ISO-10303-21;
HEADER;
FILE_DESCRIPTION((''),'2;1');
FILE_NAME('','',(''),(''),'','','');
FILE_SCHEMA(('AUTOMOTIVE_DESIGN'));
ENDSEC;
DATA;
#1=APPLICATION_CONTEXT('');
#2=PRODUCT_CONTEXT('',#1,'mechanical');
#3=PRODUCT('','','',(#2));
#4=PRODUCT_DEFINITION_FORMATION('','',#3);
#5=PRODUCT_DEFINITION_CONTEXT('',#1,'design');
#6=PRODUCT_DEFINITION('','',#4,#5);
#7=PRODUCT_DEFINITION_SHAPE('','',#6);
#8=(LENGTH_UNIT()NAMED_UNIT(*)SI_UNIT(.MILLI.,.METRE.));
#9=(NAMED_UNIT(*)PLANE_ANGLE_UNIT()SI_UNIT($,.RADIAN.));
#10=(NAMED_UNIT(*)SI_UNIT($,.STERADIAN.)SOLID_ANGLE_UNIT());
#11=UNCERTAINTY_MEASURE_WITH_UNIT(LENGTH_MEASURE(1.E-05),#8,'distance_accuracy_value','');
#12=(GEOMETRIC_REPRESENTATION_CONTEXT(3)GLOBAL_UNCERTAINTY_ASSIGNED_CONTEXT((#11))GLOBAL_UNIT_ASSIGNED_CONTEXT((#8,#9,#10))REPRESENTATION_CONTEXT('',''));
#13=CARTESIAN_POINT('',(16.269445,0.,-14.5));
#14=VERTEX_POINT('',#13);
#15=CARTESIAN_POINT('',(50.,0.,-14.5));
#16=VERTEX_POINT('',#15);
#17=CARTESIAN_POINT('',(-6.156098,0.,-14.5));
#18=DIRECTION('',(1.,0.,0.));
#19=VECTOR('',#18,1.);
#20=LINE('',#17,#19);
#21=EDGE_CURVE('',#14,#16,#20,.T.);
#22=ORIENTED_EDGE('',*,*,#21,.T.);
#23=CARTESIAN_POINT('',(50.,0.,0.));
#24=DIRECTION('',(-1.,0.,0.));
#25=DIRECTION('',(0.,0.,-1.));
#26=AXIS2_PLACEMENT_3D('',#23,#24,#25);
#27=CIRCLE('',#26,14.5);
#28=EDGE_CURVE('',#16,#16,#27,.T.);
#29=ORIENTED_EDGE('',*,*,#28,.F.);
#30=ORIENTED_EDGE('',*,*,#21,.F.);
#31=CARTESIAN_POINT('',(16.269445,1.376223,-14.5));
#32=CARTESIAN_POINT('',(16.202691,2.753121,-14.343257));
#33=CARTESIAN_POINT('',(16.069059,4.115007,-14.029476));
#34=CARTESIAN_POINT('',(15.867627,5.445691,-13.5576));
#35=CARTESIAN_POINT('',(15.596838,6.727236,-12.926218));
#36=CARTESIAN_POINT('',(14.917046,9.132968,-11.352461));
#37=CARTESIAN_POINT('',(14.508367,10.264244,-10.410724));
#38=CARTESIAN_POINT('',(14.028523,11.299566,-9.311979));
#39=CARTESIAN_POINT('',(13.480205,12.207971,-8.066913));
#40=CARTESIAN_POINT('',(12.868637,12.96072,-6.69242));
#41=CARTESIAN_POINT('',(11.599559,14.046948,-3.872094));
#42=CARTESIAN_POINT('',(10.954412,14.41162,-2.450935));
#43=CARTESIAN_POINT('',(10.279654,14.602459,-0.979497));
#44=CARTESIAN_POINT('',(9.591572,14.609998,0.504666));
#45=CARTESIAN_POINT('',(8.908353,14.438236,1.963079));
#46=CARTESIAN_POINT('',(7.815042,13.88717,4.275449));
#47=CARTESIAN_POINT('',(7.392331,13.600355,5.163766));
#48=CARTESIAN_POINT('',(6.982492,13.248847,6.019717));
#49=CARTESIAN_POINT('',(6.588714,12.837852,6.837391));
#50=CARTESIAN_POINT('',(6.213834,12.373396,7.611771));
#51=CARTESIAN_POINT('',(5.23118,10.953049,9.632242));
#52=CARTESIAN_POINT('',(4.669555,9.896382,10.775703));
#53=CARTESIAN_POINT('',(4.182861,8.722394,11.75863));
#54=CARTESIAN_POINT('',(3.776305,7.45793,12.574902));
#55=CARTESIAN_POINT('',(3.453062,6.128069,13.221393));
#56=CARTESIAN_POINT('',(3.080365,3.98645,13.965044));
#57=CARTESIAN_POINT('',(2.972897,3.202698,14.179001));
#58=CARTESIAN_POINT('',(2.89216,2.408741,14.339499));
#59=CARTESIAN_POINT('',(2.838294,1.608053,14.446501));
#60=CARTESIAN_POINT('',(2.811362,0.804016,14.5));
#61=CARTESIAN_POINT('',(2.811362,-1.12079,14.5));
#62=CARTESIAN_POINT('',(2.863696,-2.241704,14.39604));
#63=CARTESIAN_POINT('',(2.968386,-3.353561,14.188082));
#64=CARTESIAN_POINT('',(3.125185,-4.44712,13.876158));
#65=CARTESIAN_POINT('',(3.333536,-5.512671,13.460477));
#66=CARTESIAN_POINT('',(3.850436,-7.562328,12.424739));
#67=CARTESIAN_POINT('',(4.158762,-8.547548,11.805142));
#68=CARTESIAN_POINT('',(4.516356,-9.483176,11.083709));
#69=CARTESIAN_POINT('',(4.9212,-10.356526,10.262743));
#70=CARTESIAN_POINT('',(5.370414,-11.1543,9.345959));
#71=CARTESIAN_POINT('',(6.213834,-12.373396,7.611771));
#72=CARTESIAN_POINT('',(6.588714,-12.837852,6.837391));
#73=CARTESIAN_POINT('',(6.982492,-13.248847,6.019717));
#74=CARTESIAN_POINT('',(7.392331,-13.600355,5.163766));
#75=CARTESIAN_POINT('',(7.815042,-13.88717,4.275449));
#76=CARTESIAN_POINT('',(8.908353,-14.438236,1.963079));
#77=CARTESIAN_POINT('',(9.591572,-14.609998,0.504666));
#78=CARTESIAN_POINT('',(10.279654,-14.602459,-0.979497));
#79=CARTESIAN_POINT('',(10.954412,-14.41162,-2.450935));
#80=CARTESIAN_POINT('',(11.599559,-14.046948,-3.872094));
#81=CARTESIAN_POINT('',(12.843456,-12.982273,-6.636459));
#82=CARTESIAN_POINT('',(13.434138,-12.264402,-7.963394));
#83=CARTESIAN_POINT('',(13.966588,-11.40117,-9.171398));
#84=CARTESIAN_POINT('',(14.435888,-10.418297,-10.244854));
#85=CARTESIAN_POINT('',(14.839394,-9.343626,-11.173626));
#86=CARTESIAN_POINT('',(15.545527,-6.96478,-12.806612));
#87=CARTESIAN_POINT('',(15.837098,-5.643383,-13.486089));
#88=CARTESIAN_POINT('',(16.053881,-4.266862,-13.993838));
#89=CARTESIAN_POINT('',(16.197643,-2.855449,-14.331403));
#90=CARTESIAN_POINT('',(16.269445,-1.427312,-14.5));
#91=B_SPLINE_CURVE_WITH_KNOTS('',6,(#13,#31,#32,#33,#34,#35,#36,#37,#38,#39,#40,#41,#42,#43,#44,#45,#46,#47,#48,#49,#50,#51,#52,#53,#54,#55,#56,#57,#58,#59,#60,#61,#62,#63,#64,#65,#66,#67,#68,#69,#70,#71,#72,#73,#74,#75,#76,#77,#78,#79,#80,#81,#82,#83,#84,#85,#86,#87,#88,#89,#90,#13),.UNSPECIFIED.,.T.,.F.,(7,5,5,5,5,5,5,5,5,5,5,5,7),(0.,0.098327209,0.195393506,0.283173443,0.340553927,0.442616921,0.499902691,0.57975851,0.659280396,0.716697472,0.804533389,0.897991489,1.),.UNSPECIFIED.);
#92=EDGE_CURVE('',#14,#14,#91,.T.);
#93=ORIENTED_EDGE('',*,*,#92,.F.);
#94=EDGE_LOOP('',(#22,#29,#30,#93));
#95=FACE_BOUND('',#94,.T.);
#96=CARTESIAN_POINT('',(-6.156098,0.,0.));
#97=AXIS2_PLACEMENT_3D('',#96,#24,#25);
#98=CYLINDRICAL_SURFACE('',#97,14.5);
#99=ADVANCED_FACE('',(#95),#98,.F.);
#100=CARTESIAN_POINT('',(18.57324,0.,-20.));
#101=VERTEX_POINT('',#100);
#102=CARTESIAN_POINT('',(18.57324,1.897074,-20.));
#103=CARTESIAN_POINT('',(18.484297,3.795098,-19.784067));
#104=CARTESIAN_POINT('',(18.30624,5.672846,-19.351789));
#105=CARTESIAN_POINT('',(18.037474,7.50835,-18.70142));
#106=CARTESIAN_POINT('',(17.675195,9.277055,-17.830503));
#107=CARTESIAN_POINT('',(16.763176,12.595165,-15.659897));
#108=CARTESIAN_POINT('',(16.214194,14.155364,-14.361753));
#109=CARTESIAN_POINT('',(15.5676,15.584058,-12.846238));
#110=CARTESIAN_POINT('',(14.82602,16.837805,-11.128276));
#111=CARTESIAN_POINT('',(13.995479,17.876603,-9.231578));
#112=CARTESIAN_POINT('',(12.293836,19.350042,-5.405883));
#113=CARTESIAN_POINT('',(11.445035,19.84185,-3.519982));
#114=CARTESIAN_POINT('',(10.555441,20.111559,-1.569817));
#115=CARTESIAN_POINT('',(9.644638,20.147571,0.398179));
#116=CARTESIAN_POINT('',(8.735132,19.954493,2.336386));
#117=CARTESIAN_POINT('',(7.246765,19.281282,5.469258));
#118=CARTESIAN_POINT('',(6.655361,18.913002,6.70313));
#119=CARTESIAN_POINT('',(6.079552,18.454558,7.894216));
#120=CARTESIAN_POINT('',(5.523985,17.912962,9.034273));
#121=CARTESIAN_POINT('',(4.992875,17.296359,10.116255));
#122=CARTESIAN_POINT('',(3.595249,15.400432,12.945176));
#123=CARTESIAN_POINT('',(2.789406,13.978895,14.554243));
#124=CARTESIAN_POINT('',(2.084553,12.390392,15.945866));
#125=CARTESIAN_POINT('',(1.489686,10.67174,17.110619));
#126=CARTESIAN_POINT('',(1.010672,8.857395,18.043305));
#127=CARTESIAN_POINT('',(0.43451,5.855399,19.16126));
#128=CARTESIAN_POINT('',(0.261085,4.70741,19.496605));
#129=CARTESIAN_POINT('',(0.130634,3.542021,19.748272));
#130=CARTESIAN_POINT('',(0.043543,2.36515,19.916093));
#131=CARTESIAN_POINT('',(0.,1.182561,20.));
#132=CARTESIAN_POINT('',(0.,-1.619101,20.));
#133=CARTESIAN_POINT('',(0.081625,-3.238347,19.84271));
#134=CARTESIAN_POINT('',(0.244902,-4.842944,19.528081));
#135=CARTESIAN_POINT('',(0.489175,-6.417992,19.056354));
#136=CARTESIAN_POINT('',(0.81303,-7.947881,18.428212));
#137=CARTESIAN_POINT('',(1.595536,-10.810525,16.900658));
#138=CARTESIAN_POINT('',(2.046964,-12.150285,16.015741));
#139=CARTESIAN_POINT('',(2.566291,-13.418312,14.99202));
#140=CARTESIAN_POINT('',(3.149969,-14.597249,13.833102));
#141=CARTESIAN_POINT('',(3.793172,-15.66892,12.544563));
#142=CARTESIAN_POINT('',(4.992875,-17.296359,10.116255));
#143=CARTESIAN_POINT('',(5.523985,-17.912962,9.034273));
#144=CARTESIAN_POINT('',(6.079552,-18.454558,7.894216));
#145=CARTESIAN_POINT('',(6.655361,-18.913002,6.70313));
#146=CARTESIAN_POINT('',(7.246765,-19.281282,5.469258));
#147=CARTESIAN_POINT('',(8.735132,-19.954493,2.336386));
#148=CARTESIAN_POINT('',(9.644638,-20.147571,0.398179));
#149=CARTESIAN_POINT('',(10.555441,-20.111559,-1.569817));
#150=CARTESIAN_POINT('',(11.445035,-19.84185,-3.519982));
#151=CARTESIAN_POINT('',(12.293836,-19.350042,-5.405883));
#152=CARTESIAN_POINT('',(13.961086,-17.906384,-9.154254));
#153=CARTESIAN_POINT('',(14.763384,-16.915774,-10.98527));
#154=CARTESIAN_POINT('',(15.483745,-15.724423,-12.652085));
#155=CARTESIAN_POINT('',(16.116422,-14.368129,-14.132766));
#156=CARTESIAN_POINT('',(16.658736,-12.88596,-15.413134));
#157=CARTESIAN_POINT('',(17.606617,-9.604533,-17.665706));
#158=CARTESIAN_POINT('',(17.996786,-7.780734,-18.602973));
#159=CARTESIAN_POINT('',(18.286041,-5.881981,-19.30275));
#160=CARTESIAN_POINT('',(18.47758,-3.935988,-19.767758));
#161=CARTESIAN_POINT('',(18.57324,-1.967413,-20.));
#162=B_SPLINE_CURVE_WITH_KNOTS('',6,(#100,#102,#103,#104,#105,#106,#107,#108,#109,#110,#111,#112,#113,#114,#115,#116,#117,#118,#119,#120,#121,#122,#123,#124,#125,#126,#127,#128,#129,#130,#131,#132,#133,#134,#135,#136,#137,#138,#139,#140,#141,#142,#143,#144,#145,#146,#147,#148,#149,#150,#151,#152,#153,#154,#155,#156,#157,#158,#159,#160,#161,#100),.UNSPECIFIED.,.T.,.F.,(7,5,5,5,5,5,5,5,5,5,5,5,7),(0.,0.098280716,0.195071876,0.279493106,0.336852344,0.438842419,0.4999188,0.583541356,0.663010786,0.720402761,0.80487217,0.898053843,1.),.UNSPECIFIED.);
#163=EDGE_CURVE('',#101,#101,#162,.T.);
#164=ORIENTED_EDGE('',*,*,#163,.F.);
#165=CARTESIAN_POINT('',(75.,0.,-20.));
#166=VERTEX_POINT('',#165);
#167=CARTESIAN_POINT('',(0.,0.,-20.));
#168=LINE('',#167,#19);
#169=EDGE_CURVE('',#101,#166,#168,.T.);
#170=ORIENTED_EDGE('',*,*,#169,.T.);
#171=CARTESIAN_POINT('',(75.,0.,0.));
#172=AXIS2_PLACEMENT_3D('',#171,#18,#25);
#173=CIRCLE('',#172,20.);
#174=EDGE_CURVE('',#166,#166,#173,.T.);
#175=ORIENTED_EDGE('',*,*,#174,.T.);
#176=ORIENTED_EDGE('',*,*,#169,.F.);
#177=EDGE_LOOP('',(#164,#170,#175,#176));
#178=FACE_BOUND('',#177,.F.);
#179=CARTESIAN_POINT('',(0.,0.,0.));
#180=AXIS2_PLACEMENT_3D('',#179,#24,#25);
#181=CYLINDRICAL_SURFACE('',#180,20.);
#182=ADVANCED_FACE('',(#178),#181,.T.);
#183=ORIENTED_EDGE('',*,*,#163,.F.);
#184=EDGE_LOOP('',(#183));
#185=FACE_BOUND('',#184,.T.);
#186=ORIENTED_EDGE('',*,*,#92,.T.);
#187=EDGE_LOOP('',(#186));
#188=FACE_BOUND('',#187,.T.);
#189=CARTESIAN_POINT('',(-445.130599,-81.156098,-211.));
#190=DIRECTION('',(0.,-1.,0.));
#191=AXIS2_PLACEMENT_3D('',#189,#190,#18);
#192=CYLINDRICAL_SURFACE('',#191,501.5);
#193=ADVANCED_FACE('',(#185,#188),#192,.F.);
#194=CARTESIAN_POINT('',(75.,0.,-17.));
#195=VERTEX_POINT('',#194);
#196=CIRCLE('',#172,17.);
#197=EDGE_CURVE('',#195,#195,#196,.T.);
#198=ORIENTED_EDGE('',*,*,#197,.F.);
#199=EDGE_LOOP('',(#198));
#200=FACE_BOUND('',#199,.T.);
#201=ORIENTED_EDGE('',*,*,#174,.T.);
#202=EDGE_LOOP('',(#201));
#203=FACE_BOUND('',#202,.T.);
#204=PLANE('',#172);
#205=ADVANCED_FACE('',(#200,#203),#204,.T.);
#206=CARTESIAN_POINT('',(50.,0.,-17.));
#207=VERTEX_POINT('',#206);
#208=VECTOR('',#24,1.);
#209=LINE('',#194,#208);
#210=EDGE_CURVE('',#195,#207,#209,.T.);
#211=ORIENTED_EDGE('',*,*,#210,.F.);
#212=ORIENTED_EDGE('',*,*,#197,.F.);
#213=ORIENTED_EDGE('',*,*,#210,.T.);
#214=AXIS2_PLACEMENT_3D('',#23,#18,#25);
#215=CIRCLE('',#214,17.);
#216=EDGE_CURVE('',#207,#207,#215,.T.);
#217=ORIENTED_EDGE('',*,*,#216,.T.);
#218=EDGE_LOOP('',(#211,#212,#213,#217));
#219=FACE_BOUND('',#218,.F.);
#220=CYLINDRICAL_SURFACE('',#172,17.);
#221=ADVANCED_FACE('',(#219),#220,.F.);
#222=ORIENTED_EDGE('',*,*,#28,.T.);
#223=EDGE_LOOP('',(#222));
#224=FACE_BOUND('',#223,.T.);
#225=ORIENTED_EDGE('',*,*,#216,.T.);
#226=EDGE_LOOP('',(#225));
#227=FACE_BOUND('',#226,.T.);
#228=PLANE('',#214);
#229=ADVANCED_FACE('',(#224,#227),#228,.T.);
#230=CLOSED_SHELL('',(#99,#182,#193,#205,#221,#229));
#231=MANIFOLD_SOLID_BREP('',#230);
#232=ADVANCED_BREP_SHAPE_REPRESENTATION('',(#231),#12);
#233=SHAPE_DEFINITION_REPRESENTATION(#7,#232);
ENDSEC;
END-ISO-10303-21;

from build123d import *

# Parameters (mm, degrees)
SKETCH1_R               = 20
BOSS_EXTRUDE1_DEPTH     = 75
CUT_EXTRUDE2_DEPTH      = 81.156097709
CUT_EXTRUDE2_DEPTH_BACK = 81.156097709
SKETCH3_R               = 14.5
SKETCH4_R               = 17
CUT_EXTRUDE3_DEPTH      = 25
CUT_EXTRUDE4_DEPTH      = 81.156097709
CUT_EXTRUDE4_DEPTH_BACK = 81.156097709
SKETCH5_R               = 501.5


with BuildPart() as part:
    # Sketch1 → Boss-Extrude1 (new body)
    with BuildSketch(Plane(origin=(0, 0, 0), x_dir=(0, 0, -1), z_dir=(1, 0, 0))):
        Circle(SKETCH1_R)
    extrude(amount=BOSS_EXTRUDE1_DEPTH)

    # Sketch3 → Cut-Extrude2 (cut, two sides: drawn at the far end of the back side and taken through both)
    with BuildSketch(Plane(origin=(75, 0, 0), x_dir=(0, 0, -1), z_dir=(1, 0, 0)).offset(-CUT_EXTRUDE2_DEPTH_BACK)):
        Circle(SKETCH3_R)
    extrude(amount=CUT_EXTRUDE2_DEPTH + CUT_EXTRUDE2_DEPTH_BACK, mode=Mode.SUBTRACT)

    # Sketch4 → Cut-Extrude3 (cut)
    with BuildSketch(Plane(origin=(75, 0, 0), x_dir=(0, 0, -1), z_dir=(1, 0, 0))):
        Circle(SKETCH4_R)
    extrude(amount=-CUT_EXTRUDE3_DEPTH, mode=Mode.SUBTRACT)

    # Sketch5 → Cut-Extrude4 (cut, two sides: drawn at the far end of the back side and taken through both)
    with BuildSketch(Plane(origin=(0, 0, 0), x_dir=(1, 0, 0), z_dir=(0, 1, 0)).offset(-CUT_EXTRUDE4_DEPTH_BACK)):
        with Locations((-445.130598813, 211)):
            Circle(SKETCH5_R)
    extrude(amount=CUT_EXTRUDE4_DEPTH + CUT_EXTRUDE4_DEPTH_BACK, mode=Mode.SUBTRACT)


solid = part.part
